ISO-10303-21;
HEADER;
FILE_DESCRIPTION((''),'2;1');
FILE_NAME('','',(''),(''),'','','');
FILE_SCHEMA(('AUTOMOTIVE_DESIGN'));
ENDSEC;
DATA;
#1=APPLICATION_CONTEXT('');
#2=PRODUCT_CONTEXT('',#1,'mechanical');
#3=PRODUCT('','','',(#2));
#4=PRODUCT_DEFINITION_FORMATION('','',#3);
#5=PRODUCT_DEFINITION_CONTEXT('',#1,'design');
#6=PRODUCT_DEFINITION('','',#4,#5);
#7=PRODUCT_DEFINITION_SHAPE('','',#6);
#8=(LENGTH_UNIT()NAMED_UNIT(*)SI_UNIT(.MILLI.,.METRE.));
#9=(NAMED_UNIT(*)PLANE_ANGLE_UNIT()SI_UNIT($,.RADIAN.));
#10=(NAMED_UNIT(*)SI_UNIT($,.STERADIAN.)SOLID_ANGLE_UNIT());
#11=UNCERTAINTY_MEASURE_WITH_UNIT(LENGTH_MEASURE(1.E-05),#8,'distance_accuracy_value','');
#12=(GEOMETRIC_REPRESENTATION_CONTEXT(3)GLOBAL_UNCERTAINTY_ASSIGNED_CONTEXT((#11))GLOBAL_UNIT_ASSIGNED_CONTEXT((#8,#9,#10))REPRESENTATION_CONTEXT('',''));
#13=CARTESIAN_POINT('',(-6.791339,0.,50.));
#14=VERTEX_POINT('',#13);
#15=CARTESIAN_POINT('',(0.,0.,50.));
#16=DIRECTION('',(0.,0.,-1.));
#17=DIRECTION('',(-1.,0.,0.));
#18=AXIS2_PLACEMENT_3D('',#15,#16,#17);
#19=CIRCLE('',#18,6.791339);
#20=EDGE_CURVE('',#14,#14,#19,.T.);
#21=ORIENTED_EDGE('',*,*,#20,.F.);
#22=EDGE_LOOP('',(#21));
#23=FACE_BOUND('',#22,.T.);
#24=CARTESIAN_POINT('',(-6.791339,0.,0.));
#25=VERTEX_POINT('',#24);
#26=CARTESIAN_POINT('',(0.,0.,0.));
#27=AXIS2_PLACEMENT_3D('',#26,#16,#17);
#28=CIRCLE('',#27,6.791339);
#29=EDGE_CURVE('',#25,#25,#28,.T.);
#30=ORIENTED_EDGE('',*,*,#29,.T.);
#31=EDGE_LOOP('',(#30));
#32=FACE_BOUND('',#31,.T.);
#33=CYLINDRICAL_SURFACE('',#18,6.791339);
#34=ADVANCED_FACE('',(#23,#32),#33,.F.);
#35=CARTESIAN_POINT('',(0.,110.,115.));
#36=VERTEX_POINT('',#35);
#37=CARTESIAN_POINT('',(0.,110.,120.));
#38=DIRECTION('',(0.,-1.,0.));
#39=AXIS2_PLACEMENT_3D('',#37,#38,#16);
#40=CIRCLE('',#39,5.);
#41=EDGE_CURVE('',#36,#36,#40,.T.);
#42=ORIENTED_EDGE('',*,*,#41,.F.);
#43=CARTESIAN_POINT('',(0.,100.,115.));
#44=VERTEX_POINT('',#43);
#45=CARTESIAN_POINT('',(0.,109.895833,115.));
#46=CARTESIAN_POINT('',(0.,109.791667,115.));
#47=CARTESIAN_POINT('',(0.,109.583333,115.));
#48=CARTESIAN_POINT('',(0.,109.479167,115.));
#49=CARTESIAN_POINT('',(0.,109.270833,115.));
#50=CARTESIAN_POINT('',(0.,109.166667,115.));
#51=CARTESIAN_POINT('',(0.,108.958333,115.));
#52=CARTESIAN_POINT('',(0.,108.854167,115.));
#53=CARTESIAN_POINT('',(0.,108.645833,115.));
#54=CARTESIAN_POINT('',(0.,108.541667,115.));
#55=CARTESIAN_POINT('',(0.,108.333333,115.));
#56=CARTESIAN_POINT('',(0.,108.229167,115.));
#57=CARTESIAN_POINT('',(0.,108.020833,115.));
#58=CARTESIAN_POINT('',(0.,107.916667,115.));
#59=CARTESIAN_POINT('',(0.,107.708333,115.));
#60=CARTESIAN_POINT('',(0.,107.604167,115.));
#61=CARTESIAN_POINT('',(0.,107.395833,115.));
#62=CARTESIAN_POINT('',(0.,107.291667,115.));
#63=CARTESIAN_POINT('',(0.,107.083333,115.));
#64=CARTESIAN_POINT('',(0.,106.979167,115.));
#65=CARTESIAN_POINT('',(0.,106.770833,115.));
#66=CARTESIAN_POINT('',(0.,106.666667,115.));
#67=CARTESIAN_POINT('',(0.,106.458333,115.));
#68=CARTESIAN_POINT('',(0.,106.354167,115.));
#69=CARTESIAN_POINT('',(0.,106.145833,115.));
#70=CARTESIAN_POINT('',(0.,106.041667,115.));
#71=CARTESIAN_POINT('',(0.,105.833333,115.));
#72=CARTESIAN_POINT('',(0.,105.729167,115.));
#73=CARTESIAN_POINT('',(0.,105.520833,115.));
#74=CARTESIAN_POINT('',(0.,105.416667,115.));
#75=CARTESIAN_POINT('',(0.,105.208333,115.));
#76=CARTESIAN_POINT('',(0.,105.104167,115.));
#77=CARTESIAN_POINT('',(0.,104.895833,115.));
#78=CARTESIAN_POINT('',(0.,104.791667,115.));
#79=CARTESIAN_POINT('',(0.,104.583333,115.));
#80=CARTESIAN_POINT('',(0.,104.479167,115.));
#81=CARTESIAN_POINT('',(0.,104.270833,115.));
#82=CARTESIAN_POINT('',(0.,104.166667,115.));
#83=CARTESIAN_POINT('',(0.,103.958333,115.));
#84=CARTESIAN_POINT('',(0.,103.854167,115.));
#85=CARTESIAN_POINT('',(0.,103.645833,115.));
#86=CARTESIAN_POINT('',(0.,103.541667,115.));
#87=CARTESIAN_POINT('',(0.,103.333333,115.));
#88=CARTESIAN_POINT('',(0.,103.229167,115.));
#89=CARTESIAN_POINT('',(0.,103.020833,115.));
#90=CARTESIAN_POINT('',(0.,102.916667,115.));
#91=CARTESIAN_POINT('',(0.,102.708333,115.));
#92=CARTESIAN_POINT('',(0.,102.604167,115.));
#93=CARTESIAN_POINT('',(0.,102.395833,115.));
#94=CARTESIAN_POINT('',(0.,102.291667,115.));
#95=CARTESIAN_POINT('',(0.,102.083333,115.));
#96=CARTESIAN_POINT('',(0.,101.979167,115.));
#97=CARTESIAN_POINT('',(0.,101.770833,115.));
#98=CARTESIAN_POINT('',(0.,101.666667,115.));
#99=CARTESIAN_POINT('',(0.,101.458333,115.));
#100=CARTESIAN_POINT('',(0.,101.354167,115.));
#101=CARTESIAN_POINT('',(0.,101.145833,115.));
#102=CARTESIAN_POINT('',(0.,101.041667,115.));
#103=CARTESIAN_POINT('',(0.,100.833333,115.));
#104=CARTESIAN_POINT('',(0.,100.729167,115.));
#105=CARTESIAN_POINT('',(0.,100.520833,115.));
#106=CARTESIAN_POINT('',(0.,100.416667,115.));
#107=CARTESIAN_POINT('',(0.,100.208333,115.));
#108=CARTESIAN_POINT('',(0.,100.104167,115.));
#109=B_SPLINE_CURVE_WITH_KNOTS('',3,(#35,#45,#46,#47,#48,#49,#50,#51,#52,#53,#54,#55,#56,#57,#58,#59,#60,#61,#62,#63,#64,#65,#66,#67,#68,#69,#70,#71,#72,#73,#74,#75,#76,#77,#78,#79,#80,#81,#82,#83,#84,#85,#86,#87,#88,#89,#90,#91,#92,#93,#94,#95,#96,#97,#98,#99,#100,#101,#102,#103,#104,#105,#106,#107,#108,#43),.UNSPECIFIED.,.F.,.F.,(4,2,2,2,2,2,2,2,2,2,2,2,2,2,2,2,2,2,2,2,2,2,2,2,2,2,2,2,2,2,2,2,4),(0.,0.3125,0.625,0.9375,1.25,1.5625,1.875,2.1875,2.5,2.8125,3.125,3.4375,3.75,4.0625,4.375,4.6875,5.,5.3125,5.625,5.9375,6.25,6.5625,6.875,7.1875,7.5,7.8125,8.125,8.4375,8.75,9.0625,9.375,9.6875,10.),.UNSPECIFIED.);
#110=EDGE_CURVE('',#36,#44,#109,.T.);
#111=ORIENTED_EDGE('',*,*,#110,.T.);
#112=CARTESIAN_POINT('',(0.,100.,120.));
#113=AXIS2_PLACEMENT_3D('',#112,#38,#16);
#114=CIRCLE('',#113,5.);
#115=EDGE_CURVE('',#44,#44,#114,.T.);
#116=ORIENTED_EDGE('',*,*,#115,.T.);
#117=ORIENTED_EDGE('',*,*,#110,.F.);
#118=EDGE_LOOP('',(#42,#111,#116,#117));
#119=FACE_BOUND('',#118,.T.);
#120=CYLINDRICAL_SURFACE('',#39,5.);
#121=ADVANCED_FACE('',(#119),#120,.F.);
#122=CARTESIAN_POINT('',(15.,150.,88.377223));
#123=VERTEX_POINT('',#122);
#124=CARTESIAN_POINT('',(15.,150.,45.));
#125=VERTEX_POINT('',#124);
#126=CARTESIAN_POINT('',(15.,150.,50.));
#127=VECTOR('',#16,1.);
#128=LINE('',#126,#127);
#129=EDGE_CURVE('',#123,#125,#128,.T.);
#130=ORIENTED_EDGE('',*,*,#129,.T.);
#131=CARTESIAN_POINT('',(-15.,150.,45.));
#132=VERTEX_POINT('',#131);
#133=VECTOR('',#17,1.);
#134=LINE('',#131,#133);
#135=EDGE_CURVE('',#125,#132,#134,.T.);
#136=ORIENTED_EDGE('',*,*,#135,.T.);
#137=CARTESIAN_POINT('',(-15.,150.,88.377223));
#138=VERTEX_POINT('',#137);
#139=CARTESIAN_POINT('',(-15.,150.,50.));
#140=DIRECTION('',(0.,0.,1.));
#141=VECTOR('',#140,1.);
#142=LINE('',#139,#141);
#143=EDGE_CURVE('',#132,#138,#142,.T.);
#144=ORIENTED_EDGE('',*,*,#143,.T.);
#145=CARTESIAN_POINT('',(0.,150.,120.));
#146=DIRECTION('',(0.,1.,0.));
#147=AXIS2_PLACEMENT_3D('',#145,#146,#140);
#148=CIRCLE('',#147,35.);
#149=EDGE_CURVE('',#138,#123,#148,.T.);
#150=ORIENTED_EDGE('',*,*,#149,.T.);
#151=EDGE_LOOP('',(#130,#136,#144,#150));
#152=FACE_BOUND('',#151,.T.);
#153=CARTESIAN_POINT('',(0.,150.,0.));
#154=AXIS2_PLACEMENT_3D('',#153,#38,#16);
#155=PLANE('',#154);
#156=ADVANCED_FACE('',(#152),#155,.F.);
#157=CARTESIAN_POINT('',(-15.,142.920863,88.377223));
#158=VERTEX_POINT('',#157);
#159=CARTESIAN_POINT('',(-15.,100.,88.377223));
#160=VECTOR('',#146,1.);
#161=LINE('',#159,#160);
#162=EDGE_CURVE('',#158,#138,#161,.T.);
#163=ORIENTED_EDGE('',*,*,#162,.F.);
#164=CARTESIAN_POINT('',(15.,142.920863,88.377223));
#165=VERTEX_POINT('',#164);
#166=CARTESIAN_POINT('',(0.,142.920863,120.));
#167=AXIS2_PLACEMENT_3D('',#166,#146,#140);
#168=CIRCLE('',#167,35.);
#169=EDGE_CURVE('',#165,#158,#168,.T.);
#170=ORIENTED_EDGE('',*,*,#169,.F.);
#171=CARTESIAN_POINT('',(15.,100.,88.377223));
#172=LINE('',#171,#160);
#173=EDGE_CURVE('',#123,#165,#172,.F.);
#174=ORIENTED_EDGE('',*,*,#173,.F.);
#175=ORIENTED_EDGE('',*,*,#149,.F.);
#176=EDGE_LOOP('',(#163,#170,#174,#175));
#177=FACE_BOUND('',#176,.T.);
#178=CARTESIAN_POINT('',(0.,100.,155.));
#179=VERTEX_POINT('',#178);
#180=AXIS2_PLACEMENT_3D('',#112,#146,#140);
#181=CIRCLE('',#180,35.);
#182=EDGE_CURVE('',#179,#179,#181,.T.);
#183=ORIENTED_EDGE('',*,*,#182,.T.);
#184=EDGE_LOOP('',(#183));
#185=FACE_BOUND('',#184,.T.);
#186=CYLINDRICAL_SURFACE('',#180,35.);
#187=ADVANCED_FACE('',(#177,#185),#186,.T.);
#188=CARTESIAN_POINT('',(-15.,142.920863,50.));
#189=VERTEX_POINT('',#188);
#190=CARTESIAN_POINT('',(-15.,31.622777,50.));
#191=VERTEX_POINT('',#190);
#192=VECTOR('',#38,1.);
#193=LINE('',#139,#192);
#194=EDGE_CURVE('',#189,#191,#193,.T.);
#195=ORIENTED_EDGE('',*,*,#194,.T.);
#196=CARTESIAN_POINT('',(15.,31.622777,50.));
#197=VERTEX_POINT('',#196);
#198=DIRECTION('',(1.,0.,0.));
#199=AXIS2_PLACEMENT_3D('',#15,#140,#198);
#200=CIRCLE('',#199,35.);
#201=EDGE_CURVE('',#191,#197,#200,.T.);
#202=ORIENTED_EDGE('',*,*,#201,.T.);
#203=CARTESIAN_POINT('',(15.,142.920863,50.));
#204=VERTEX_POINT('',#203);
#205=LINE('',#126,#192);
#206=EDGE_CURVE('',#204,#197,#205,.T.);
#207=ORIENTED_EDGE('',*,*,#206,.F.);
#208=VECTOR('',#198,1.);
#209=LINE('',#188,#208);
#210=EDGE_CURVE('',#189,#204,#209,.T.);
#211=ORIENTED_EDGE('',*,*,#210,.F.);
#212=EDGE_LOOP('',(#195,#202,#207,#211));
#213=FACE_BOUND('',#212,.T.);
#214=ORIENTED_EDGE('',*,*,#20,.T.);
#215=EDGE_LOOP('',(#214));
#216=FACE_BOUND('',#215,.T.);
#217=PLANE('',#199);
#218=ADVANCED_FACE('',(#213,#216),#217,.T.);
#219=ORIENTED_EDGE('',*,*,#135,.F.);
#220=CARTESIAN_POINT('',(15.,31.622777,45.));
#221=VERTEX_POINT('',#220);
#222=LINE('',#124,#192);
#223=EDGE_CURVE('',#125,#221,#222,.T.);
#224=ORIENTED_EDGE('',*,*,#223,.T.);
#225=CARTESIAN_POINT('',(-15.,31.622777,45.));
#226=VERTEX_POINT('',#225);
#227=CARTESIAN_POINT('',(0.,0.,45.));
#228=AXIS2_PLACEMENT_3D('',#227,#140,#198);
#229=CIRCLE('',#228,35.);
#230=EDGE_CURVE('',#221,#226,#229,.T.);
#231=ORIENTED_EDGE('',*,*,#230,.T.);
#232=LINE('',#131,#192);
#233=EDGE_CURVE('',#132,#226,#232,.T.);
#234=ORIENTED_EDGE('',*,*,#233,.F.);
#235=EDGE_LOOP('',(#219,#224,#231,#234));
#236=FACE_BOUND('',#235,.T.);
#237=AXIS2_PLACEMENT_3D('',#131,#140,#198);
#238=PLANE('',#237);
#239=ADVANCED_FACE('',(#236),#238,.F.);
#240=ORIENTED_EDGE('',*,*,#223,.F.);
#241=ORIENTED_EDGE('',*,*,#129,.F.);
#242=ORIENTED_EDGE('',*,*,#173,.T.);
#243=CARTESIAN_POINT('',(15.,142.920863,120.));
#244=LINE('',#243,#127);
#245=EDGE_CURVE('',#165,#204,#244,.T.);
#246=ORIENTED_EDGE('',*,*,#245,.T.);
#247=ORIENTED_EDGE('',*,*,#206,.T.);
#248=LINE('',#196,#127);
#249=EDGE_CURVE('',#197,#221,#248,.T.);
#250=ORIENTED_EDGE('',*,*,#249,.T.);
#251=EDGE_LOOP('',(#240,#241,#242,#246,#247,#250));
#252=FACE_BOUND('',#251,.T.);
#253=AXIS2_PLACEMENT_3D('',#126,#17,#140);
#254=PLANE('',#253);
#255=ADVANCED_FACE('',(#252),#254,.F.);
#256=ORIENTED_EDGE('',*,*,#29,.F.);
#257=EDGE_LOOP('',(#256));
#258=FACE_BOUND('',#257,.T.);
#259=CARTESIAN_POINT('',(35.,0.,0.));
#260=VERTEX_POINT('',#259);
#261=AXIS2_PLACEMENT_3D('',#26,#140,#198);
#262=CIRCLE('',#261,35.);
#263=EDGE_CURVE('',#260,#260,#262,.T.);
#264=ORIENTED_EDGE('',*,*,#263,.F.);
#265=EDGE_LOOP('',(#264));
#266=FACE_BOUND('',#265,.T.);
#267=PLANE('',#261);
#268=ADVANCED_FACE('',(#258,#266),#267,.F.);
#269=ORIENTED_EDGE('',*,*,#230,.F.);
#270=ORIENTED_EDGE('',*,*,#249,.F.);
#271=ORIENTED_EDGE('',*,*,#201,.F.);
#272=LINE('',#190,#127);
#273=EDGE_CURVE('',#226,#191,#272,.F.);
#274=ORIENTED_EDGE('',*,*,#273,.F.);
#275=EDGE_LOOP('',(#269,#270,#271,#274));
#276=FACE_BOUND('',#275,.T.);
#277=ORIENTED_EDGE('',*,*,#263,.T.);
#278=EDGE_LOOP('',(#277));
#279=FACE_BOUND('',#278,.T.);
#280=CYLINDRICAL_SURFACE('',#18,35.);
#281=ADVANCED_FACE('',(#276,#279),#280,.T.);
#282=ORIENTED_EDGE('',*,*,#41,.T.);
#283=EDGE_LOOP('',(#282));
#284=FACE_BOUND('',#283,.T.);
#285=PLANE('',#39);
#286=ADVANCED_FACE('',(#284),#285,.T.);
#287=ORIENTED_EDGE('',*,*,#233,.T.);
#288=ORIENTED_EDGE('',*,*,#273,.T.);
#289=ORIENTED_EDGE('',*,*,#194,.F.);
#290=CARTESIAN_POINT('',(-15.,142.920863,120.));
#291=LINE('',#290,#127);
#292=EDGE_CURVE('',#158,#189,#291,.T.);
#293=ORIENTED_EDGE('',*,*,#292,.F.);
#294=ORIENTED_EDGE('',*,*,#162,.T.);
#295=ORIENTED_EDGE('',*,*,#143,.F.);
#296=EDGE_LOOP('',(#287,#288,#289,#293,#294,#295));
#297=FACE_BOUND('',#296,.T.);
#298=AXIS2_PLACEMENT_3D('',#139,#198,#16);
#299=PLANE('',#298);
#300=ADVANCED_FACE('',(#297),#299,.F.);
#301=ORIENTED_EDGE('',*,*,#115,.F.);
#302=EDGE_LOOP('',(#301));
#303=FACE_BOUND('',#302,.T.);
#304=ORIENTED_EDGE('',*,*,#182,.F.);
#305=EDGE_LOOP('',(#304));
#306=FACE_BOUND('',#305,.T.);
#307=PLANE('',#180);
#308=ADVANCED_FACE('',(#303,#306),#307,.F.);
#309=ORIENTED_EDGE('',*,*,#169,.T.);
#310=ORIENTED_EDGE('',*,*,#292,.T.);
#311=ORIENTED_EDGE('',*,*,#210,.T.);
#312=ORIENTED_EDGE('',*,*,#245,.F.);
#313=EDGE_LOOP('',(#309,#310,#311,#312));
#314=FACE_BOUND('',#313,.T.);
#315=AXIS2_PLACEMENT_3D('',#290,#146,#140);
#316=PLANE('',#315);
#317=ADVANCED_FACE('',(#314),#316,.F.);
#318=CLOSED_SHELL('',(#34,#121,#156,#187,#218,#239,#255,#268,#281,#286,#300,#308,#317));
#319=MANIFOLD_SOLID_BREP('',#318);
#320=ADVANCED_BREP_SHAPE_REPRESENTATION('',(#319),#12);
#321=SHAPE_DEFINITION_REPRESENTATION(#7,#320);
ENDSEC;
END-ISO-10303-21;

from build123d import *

# Parameters (mm, degrees)
SKETCH1_R           = 35
BOSS_EXTRUDE1_DEPTH = 50
SKETCH2_W           = 30
SKETCH2_H           = 5
BOSS_EXTRUDE2_DEPTH = 150
SKETCH3_W           = 30
SKETCH3_H           = 7.079136618
BOSS_EXTRUDE3_DEPTH = 70
SKETCH5_R           = 35
BOSS_EXTRUDE4_DEPTH = 50
SKETCH6_R           = 6.791338944
CUT_EXTRUDE1_DEPTH  = 50
SKETCH7_R           = 5
CUT_EXTRUDE2_DEPTH  = 10


with BuildPart() as part:
    # Sketch1 → Boss-Extrude1 (new body)
    with BuildSketch(Plane.XY):
        Circle(SKETCH1_R)
    extrude(amount=BOSS_EXTRUDE1_DEPTH)

    # Sketch2 → Boss-Extrude2 (add)
    with BuildSketch(Plane(origin=(0, 0, 0), x_dir=(1, 0, 0), z_dir=(0, 1, 0))):
        with Locations((0, -47.5)):
            Rectangle(SKETCH2_W, SKETCH2_H)
    extrude(amount=BOSS_EXTRUDE2_DEPTH)

    # Sketch3 → Boss-Extrude3 (add)
    with BuildSketch(Plane.XY.offset(50)):
        with Locations((0, 146.460431691)):
            Rectangle(SKETCH3_W, SKETCH3_H)
    extrude(amount=BOSS_EXTRUDE3_DEPTH)

    # Sketch5 → Boss-Extrude4 (add)
    with BuildSketch(Plane(origin=(0, 150, 0), x_dir=(1, 0, 0), z_dir=(0, 1, 0))):
        with Locations(Location((0, -120, 0), (0, 0, 270))):
            Circle(SKETCH5_R)
    extrude(amount=-BOSS_EXTRUDE4_DEPTH)

    # Sketch6 → Cut-Extrude1 (cut)
    with BuildSketch(Plane(origin=(0, 0, 0), x_dir=(-1, 0, 0), z_dir=(0, 0, -1))):
        Circle(SKETCH6_R)
    extrude(amount=-CUT_EXTRUDE1_DEPTH, mode=Mode.SUBTRACT)

    # Sketch7 → Cut-Extrude2 (cut)
    with BuildSketch(Plane.XZ.offset(-100)):
        with Locations(Location((0, 120, 0), (0, 0, 270))):
            Circle(SKETCH7_R)
    extrude(amount=-CUT_EXTRUDE2_DEPTH, mode=Mode.SUBTRACT)


solid = part.part
